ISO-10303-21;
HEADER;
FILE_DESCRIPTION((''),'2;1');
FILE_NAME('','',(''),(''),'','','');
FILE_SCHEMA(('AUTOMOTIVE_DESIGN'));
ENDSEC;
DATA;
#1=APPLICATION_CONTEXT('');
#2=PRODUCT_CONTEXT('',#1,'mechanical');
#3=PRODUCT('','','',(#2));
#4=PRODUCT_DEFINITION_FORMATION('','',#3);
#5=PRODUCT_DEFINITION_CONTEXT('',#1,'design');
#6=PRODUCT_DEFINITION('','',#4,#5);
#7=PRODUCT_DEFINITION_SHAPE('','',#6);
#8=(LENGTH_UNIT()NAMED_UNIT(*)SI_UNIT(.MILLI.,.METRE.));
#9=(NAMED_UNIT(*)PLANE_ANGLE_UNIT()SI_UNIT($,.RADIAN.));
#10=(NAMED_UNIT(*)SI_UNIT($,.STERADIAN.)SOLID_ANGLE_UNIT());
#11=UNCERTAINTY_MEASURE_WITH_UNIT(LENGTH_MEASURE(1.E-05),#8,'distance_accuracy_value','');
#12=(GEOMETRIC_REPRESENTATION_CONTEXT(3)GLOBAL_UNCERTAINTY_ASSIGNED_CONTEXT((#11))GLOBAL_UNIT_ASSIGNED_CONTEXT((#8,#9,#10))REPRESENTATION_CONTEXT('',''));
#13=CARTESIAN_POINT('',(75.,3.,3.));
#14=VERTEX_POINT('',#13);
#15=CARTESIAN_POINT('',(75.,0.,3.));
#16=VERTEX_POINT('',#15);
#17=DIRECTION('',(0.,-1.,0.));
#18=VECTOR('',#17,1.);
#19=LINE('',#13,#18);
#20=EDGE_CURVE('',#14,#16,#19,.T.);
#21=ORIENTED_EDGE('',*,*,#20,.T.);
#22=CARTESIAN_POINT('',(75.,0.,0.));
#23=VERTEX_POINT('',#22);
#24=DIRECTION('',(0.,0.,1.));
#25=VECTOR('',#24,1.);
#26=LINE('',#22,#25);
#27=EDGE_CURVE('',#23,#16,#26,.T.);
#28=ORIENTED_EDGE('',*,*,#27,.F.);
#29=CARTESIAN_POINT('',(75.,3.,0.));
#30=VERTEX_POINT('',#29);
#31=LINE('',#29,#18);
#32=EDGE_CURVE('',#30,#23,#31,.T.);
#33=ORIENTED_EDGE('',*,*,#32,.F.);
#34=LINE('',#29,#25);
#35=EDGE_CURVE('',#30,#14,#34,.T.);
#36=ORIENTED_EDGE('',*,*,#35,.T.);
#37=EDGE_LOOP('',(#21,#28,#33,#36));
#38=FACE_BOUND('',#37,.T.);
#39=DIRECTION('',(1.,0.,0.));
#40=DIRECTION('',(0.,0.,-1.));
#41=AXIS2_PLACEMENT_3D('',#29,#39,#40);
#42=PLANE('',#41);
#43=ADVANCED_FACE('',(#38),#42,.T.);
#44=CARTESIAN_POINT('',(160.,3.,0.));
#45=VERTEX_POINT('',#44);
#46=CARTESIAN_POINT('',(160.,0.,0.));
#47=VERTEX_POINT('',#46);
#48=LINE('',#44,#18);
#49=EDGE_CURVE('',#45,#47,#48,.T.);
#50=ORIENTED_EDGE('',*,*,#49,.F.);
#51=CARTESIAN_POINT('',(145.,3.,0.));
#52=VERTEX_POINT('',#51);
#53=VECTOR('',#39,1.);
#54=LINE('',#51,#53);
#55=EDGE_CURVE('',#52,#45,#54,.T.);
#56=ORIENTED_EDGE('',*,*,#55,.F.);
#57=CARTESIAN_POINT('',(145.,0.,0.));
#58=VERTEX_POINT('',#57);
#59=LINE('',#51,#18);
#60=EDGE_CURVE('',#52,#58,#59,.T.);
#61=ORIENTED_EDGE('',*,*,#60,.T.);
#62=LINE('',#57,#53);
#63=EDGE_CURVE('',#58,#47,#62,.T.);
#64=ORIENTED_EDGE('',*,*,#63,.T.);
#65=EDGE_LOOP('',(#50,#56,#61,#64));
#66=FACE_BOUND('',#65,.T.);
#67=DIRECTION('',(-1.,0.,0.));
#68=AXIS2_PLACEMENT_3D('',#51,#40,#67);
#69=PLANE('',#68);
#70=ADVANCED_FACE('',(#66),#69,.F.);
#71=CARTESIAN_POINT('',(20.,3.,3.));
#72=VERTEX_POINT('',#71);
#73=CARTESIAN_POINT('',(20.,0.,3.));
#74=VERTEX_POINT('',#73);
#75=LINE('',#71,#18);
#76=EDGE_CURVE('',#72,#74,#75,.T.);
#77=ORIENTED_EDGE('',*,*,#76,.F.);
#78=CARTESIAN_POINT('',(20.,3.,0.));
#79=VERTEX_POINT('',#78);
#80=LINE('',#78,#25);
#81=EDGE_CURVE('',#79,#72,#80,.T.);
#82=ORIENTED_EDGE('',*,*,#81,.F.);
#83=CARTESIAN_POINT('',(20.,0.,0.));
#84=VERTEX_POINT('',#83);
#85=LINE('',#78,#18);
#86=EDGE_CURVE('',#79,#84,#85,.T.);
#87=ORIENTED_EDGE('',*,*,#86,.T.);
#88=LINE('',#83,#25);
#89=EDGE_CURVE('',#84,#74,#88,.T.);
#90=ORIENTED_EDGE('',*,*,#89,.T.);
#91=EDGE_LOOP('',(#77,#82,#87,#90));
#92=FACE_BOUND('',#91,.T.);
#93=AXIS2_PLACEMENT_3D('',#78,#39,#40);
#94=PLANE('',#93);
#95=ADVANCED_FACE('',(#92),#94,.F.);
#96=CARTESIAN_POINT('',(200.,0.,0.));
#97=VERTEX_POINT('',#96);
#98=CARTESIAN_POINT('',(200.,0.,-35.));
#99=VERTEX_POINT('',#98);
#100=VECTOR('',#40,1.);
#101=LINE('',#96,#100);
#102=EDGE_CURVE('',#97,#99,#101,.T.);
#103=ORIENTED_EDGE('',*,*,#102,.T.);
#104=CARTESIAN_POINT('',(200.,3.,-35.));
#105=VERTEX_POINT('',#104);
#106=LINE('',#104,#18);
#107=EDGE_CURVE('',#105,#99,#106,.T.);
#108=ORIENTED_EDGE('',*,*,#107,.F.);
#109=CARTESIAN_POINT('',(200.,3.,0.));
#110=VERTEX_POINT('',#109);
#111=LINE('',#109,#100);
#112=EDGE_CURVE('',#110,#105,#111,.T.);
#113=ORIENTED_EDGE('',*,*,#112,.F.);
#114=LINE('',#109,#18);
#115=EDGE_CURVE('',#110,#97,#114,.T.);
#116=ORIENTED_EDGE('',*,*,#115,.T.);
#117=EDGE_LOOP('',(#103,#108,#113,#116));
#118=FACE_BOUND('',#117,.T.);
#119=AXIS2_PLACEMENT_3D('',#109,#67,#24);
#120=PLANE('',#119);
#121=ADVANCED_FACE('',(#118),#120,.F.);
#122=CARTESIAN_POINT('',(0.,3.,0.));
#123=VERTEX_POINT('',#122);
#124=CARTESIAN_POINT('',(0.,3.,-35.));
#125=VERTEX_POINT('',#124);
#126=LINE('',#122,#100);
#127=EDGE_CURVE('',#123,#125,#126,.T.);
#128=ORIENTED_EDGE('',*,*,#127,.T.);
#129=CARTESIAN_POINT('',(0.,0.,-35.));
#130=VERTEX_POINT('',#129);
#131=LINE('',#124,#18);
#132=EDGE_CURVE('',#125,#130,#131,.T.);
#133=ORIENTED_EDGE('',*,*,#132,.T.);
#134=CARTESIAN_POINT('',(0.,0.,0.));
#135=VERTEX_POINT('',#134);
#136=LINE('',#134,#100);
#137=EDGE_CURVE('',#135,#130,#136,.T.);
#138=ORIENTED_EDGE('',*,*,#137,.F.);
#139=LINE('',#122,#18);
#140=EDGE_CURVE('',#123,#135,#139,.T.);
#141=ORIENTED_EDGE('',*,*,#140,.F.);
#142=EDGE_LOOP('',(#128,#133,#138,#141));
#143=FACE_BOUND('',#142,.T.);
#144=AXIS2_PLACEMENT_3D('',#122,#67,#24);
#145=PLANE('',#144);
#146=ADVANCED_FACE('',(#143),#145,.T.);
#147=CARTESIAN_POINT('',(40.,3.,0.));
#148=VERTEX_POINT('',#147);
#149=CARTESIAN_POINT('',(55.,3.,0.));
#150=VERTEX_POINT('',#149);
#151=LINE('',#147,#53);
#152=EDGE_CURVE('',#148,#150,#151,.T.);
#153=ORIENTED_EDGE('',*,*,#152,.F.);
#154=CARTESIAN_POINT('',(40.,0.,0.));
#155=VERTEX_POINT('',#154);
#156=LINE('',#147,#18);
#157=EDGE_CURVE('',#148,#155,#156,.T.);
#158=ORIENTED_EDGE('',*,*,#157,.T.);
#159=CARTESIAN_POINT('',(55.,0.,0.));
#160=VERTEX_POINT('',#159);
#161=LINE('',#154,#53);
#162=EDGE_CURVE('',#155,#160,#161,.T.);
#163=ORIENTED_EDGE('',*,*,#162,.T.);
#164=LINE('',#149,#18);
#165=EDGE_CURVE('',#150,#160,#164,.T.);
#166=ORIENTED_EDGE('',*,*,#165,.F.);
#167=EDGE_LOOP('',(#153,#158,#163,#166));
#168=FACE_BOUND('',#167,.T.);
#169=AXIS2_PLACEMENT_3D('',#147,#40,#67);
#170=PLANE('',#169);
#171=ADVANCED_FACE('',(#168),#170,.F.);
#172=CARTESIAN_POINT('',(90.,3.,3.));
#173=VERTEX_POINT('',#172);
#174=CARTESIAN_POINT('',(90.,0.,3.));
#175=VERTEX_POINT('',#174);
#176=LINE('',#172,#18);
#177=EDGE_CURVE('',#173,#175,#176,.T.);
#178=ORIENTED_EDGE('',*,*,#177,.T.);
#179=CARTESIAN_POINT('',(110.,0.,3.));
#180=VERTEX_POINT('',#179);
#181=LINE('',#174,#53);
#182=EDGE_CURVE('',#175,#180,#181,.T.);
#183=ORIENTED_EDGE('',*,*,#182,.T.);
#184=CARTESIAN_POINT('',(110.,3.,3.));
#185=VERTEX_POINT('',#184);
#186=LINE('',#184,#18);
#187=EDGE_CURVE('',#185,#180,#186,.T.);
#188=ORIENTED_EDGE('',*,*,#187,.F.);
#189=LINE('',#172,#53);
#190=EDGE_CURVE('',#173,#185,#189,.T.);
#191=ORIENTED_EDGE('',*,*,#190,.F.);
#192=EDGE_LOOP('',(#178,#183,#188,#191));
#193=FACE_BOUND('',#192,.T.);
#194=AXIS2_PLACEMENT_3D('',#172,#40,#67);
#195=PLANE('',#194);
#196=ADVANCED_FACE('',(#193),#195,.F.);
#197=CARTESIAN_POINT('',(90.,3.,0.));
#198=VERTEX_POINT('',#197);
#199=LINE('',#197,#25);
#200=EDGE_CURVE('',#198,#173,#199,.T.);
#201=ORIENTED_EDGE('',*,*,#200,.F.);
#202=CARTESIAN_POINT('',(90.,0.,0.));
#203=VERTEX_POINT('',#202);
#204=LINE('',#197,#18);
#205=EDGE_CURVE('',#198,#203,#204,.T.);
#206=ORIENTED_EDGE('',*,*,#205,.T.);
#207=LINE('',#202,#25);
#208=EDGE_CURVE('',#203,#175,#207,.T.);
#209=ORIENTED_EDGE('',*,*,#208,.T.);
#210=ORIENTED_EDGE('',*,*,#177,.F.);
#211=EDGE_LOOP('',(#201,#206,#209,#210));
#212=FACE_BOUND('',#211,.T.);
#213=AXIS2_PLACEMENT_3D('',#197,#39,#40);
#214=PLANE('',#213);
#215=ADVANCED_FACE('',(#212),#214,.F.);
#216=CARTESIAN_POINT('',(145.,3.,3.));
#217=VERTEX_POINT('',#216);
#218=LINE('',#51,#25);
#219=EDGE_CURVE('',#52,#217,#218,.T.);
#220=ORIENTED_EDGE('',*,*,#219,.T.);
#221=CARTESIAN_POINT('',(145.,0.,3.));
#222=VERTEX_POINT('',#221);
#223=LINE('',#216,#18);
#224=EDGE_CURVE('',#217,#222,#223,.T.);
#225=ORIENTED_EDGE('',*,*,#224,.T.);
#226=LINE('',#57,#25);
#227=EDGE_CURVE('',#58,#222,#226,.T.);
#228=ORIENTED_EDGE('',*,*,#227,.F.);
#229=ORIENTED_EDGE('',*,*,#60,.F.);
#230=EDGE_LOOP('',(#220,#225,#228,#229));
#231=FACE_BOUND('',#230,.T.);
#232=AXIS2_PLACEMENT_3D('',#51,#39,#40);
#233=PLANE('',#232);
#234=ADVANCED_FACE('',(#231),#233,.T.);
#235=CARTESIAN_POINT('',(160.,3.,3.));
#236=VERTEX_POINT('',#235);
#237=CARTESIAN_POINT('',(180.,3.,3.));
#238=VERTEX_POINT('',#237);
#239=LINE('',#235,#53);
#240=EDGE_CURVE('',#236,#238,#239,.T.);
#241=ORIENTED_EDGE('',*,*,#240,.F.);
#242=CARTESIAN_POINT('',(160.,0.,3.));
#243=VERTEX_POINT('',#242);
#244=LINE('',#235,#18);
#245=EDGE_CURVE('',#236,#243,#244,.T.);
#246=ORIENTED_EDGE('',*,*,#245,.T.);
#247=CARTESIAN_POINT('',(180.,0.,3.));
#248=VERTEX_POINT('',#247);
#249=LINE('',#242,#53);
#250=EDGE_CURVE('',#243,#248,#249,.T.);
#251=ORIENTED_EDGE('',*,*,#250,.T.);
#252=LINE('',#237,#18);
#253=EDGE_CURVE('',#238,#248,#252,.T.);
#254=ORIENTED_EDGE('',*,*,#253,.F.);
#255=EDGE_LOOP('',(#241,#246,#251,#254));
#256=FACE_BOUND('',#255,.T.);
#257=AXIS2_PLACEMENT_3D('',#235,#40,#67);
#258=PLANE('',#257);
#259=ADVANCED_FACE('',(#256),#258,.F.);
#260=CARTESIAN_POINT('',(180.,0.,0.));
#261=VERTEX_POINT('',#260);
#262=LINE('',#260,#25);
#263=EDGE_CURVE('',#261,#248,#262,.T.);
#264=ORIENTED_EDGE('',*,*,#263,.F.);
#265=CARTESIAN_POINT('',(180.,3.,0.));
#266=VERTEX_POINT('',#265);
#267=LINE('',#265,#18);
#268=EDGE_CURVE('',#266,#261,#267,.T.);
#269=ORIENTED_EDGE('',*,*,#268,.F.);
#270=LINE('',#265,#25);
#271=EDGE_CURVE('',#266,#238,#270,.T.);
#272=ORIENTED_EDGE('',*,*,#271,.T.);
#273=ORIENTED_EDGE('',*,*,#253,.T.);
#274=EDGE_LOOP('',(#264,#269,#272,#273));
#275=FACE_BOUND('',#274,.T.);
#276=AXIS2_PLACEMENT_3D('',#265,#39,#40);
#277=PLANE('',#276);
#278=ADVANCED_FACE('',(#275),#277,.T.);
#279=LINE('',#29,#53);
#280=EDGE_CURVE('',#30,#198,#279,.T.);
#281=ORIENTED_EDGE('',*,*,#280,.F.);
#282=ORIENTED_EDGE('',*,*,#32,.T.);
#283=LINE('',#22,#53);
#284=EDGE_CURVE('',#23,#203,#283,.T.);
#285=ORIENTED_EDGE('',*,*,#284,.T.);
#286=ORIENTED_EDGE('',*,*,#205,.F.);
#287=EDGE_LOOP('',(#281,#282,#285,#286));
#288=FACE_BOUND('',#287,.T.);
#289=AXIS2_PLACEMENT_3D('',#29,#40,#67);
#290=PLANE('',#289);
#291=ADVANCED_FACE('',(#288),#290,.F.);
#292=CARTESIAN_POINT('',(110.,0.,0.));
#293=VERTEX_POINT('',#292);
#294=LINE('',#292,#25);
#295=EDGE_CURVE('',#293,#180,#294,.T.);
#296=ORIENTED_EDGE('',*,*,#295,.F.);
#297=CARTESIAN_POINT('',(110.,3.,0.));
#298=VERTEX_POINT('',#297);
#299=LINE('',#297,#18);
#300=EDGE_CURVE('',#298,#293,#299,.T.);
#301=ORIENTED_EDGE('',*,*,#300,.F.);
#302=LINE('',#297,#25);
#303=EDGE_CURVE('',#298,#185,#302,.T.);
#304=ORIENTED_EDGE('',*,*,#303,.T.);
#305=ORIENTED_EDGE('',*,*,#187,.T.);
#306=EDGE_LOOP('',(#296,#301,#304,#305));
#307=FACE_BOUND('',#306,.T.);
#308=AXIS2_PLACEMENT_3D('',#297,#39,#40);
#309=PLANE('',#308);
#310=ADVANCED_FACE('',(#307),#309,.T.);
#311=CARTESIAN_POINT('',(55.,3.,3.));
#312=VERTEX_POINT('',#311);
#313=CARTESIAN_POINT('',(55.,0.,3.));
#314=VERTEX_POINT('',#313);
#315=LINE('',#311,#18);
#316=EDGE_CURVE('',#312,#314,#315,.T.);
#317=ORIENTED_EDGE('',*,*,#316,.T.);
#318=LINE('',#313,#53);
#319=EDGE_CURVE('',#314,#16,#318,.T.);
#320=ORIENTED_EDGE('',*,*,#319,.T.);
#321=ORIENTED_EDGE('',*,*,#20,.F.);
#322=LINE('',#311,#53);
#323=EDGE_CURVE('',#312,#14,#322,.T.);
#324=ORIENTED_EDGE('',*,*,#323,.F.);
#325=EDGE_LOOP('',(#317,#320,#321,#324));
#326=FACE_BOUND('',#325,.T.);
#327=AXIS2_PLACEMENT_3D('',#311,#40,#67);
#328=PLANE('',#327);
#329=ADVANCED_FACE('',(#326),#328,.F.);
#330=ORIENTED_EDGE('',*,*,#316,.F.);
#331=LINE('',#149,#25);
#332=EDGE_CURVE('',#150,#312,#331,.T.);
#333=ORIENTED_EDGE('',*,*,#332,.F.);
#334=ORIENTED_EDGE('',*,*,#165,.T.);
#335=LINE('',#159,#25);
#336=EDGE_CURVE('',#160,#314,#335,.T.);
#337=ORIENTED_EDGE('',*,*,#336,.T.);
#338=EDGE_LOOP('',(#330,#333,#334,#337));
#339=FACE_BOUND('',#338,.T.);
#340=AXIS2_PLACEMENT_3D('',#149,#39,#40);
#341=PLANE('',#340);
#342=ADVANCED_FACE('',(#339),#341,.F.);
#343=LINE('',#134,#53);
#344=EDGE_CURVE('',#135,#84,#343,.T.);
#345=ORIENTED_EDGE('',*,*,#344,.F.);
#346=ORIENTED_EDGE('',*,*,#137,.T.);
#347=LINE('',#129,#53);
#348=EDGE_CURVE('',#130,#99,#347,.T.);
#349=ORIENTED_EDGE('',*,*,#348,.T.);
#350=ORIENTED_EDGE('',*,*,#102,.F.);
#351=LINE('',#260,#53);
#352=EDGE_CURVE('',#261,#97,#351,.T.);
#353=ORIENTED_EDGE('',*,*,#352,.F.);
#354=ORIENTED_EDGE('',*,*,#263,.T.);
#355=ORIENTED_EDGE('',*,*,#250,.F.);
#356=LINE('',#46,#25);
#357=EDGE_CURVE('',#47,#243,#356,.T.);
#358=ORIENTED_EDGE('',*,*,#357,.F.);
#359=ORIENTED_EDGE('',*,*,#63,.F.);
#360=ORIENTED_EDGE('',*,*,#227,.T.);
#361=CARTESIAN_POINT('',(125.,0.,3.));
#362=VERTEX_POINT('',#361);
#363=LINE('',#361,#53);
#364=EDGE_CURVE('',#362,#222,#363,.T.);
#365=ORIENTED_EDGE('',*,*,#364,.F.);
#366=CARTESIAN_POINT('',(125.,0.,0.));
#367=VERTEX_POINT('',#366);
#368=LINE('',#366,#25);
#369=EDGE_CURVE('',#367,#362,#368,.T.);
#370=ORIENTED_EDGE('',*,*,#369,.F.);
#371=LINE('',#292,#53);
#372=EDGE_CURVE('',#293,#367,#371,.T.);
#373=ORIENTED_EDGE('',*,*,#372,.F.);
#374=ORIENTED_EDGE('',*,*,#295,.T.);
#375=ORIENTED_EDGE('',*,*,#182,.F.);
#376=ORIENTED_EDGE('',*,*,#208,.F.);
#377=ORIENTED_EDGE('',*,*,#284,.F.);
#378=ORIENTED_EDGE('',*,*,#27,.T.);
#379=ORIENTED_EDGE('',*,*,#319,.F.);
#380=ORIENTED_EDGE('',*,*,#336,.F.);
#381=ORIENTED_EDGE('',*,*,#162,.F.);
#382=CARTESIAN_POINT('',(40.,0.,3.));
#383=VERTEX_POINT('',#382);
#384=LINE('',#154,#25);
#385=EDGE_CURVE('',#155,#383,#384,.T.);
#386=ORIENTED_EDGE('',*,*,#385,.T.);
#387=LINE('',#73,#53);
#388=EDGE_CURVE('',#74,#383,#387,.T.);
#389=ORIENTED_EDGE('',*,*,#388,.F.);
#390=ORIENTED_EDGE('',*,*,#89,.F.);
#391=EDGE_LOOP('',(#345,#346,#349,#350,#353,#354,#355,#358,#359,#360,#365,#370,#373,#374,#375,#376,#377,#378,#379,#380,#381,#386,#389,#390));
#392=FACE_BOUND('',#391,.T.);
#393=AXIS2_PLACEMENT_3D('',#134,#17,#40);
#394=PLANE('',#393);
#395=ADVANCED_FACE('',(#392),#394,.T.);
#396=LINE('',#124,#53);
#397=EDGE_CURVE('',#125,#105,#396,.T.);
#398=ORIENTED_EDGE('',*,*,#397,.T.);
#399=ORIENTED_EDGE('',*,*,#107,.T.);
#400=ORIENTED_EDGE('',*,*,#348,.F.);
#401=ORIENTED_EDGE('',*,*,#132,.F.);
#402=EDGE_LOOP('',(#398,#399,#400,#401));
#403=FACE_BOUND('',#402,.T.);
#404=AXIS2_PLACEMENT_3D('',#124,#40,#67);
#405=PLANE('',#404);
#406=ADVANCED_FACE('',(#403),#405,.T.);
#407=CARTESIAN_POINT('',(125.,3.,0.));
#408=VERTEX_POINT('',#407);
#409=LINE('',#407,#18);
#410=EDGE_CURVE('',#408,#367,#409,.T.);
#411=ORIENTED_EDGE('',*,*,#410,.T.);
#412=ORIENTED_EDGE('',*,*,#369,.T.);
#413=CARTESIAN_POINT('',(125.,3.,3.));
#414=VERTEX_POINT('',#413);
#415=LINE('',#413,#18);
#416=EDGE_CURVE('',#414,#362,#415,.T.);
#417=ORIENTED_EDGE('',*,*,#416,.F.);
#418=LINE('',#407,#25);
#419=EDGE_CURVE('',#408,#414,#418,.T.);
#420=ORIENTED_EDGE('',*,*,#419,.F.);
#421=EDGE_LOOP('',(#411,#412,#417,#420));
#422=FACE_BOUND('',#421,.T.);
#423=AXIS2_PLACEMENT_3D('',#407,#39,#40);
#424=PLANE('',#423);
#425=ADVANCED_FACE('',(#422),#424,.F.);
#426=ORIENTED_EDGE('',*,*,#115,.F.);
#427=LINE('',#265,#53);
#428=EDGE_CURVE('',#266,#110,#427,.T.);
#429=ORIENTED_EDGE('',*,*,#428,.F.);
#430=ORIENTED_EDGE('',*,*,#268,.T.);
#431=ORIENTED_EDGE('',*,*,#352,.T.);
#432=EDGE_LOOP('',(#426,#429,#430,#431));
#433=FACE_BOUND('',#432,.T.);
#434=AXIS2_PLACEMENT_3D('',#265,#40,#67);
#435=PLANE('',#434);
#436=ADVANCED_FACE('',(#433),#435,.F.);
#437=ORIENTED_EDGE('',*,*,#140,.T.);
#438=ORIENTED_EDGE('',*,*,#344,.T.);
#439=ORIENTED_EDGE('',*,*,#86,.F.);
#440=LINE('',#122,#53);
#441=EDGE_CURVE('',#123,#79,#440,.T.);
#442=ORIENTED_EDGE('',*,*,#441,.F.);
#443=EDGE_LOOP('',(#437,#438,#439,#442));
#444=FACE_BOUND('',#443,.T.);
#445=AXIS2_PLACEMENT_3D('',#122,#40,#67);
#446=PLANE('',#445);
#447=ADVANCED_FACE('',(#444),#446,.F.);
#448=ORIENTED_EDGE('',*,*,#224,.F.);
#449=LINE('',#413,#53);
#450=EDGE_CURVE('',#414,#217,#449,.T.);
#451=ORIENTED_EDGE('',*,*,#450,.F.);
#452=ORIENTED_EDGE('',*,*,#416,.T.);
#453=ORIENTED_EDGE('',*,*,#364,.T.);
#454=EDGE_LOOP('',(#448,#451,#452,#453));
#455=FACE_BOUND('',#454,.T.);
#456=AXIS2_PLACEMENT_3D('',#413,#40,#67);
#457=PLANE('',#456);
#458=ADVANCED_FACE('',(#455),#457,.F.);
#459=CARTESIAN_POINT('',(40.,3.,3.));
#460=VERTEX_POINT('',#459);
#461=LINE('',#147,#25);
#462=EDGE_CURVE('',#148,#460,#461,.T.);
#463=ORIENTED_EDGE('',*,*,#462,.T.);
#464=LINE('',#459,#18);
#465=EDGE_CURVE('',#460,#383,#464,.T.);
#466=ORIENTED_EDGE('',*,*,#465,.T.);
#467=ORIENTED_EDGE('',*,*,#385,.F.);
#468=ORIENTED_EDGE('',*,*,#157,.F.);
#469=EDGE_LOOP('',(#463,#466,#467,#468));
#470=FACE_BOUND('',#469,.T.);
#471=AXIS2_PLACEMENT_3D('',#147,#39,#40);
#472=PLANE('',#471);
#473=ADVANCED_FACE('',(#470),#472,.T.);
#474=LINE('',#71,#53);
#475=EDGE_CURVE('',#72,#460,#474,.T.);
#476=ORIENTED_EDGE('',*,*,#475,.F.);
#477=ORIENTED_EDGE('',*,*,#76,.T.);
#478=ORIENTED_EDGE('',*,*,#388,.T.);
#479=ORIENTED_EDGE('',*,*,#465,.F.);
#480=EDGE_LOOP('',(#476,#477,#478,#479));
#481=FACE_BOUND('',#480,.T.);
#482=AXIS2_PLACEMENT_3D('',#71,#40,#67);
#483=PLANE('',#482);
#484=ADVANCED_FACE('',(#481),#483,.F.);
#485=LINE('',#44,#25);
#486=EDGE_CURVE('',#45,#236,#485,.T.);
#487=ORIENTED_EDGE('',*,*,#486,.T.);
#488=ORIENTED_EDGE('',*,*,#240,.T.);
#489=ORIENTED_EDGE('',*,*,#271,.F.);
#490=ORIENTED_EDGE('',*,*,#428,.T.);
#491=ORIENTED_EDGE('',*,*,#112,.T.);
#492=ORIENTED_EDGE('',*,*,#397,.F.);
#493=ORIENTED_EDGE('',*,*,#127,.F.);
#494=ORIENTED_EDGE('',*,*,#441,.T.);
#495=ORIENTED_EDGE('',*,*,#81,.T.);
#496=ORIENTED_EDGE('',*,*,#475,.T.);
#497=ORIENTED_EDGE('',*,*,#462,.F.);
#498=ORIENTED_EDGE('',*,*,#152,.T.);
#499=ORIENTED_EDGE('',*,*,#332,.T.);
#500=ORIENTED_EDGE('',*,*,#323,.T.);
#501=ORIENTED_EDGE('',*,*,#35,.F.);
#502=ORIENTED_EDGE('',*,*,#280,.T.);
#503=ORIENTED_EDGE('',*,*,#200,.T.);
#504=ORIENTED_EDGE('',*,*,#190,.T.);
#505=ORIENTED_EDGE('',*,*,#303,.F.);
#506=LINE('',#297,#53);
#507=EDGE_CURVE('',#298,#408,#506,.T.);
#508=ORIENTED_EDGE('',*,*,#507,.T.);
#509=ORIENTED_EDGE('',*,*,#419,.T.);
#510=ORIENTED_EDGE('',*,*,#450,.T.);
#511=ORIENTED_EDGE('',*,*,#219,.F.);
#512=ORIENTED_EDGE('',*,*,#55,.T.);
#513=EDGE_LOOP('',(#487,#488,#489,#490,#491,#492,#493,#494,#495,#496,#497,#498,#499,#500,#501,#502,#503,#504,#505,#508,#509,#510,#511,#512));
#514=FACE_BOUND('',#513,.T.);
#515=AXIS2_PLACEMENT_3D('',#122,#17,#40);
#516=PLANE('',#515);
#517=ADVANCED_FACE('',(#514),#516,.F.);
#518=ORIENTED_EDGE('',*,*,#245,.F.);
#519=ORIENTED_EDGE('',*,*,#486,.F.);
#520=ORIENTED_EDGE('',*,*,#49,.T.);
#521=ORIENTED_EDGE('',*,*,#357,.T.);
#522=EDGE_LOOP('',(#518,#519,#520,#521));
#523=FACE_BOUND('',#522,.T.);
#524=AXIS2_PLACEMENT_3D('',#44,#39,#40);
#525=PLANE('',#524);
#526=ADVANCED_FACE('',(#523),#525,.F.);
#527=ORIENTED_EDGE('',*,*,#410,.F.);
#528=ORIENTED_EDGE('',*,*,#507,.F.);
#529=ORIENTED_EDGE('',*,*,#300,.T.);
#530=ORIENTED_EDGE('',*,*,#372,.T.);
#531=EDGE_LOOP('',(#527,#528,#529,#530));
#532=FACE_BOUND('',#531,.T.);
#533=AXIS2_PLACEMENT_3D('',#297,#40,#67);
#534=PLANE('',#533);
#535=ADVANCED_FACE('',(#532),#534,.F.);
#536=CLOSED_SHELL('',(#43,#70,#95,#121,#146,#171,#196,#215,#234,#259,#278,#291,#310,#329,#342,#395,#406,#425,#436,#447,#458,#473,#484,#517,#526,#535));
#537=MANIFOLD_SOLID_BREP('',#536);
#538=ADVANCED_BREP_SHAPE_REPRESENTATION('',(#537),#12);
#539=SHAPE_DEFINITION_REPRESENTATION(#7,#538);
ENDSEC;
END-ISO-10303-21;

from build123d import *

# Parameters (mm, degrees)
BOSS_EXTRUDE1_DEPTH = 3


with BuildPart() as part:
    # Sketch1 → Boss-Extrude1 (new body)
    with BuildSketch(Plane(origin=(0, 0, 0), x_dir=(1, 0, 0), z_dir=(0, 1, 0))):
        Polygon((40, 0), (55, 0), (55, -3), (75, -3), (75, 0), (90, 0), (90, -3), (110, -3), (110, 0), (125, 0), (125, -3), (145, -3), (145, 0), (160, 0), (160, -3), (180, -3), (180, 0), (200, 0), (200, 35), (0, 35), (0, 0), (20, 0), (20, -3), (40, -3), align=None)
    extrude(amount=BOSS_EXTRUDE1_DEPTH)


solid = part.part
